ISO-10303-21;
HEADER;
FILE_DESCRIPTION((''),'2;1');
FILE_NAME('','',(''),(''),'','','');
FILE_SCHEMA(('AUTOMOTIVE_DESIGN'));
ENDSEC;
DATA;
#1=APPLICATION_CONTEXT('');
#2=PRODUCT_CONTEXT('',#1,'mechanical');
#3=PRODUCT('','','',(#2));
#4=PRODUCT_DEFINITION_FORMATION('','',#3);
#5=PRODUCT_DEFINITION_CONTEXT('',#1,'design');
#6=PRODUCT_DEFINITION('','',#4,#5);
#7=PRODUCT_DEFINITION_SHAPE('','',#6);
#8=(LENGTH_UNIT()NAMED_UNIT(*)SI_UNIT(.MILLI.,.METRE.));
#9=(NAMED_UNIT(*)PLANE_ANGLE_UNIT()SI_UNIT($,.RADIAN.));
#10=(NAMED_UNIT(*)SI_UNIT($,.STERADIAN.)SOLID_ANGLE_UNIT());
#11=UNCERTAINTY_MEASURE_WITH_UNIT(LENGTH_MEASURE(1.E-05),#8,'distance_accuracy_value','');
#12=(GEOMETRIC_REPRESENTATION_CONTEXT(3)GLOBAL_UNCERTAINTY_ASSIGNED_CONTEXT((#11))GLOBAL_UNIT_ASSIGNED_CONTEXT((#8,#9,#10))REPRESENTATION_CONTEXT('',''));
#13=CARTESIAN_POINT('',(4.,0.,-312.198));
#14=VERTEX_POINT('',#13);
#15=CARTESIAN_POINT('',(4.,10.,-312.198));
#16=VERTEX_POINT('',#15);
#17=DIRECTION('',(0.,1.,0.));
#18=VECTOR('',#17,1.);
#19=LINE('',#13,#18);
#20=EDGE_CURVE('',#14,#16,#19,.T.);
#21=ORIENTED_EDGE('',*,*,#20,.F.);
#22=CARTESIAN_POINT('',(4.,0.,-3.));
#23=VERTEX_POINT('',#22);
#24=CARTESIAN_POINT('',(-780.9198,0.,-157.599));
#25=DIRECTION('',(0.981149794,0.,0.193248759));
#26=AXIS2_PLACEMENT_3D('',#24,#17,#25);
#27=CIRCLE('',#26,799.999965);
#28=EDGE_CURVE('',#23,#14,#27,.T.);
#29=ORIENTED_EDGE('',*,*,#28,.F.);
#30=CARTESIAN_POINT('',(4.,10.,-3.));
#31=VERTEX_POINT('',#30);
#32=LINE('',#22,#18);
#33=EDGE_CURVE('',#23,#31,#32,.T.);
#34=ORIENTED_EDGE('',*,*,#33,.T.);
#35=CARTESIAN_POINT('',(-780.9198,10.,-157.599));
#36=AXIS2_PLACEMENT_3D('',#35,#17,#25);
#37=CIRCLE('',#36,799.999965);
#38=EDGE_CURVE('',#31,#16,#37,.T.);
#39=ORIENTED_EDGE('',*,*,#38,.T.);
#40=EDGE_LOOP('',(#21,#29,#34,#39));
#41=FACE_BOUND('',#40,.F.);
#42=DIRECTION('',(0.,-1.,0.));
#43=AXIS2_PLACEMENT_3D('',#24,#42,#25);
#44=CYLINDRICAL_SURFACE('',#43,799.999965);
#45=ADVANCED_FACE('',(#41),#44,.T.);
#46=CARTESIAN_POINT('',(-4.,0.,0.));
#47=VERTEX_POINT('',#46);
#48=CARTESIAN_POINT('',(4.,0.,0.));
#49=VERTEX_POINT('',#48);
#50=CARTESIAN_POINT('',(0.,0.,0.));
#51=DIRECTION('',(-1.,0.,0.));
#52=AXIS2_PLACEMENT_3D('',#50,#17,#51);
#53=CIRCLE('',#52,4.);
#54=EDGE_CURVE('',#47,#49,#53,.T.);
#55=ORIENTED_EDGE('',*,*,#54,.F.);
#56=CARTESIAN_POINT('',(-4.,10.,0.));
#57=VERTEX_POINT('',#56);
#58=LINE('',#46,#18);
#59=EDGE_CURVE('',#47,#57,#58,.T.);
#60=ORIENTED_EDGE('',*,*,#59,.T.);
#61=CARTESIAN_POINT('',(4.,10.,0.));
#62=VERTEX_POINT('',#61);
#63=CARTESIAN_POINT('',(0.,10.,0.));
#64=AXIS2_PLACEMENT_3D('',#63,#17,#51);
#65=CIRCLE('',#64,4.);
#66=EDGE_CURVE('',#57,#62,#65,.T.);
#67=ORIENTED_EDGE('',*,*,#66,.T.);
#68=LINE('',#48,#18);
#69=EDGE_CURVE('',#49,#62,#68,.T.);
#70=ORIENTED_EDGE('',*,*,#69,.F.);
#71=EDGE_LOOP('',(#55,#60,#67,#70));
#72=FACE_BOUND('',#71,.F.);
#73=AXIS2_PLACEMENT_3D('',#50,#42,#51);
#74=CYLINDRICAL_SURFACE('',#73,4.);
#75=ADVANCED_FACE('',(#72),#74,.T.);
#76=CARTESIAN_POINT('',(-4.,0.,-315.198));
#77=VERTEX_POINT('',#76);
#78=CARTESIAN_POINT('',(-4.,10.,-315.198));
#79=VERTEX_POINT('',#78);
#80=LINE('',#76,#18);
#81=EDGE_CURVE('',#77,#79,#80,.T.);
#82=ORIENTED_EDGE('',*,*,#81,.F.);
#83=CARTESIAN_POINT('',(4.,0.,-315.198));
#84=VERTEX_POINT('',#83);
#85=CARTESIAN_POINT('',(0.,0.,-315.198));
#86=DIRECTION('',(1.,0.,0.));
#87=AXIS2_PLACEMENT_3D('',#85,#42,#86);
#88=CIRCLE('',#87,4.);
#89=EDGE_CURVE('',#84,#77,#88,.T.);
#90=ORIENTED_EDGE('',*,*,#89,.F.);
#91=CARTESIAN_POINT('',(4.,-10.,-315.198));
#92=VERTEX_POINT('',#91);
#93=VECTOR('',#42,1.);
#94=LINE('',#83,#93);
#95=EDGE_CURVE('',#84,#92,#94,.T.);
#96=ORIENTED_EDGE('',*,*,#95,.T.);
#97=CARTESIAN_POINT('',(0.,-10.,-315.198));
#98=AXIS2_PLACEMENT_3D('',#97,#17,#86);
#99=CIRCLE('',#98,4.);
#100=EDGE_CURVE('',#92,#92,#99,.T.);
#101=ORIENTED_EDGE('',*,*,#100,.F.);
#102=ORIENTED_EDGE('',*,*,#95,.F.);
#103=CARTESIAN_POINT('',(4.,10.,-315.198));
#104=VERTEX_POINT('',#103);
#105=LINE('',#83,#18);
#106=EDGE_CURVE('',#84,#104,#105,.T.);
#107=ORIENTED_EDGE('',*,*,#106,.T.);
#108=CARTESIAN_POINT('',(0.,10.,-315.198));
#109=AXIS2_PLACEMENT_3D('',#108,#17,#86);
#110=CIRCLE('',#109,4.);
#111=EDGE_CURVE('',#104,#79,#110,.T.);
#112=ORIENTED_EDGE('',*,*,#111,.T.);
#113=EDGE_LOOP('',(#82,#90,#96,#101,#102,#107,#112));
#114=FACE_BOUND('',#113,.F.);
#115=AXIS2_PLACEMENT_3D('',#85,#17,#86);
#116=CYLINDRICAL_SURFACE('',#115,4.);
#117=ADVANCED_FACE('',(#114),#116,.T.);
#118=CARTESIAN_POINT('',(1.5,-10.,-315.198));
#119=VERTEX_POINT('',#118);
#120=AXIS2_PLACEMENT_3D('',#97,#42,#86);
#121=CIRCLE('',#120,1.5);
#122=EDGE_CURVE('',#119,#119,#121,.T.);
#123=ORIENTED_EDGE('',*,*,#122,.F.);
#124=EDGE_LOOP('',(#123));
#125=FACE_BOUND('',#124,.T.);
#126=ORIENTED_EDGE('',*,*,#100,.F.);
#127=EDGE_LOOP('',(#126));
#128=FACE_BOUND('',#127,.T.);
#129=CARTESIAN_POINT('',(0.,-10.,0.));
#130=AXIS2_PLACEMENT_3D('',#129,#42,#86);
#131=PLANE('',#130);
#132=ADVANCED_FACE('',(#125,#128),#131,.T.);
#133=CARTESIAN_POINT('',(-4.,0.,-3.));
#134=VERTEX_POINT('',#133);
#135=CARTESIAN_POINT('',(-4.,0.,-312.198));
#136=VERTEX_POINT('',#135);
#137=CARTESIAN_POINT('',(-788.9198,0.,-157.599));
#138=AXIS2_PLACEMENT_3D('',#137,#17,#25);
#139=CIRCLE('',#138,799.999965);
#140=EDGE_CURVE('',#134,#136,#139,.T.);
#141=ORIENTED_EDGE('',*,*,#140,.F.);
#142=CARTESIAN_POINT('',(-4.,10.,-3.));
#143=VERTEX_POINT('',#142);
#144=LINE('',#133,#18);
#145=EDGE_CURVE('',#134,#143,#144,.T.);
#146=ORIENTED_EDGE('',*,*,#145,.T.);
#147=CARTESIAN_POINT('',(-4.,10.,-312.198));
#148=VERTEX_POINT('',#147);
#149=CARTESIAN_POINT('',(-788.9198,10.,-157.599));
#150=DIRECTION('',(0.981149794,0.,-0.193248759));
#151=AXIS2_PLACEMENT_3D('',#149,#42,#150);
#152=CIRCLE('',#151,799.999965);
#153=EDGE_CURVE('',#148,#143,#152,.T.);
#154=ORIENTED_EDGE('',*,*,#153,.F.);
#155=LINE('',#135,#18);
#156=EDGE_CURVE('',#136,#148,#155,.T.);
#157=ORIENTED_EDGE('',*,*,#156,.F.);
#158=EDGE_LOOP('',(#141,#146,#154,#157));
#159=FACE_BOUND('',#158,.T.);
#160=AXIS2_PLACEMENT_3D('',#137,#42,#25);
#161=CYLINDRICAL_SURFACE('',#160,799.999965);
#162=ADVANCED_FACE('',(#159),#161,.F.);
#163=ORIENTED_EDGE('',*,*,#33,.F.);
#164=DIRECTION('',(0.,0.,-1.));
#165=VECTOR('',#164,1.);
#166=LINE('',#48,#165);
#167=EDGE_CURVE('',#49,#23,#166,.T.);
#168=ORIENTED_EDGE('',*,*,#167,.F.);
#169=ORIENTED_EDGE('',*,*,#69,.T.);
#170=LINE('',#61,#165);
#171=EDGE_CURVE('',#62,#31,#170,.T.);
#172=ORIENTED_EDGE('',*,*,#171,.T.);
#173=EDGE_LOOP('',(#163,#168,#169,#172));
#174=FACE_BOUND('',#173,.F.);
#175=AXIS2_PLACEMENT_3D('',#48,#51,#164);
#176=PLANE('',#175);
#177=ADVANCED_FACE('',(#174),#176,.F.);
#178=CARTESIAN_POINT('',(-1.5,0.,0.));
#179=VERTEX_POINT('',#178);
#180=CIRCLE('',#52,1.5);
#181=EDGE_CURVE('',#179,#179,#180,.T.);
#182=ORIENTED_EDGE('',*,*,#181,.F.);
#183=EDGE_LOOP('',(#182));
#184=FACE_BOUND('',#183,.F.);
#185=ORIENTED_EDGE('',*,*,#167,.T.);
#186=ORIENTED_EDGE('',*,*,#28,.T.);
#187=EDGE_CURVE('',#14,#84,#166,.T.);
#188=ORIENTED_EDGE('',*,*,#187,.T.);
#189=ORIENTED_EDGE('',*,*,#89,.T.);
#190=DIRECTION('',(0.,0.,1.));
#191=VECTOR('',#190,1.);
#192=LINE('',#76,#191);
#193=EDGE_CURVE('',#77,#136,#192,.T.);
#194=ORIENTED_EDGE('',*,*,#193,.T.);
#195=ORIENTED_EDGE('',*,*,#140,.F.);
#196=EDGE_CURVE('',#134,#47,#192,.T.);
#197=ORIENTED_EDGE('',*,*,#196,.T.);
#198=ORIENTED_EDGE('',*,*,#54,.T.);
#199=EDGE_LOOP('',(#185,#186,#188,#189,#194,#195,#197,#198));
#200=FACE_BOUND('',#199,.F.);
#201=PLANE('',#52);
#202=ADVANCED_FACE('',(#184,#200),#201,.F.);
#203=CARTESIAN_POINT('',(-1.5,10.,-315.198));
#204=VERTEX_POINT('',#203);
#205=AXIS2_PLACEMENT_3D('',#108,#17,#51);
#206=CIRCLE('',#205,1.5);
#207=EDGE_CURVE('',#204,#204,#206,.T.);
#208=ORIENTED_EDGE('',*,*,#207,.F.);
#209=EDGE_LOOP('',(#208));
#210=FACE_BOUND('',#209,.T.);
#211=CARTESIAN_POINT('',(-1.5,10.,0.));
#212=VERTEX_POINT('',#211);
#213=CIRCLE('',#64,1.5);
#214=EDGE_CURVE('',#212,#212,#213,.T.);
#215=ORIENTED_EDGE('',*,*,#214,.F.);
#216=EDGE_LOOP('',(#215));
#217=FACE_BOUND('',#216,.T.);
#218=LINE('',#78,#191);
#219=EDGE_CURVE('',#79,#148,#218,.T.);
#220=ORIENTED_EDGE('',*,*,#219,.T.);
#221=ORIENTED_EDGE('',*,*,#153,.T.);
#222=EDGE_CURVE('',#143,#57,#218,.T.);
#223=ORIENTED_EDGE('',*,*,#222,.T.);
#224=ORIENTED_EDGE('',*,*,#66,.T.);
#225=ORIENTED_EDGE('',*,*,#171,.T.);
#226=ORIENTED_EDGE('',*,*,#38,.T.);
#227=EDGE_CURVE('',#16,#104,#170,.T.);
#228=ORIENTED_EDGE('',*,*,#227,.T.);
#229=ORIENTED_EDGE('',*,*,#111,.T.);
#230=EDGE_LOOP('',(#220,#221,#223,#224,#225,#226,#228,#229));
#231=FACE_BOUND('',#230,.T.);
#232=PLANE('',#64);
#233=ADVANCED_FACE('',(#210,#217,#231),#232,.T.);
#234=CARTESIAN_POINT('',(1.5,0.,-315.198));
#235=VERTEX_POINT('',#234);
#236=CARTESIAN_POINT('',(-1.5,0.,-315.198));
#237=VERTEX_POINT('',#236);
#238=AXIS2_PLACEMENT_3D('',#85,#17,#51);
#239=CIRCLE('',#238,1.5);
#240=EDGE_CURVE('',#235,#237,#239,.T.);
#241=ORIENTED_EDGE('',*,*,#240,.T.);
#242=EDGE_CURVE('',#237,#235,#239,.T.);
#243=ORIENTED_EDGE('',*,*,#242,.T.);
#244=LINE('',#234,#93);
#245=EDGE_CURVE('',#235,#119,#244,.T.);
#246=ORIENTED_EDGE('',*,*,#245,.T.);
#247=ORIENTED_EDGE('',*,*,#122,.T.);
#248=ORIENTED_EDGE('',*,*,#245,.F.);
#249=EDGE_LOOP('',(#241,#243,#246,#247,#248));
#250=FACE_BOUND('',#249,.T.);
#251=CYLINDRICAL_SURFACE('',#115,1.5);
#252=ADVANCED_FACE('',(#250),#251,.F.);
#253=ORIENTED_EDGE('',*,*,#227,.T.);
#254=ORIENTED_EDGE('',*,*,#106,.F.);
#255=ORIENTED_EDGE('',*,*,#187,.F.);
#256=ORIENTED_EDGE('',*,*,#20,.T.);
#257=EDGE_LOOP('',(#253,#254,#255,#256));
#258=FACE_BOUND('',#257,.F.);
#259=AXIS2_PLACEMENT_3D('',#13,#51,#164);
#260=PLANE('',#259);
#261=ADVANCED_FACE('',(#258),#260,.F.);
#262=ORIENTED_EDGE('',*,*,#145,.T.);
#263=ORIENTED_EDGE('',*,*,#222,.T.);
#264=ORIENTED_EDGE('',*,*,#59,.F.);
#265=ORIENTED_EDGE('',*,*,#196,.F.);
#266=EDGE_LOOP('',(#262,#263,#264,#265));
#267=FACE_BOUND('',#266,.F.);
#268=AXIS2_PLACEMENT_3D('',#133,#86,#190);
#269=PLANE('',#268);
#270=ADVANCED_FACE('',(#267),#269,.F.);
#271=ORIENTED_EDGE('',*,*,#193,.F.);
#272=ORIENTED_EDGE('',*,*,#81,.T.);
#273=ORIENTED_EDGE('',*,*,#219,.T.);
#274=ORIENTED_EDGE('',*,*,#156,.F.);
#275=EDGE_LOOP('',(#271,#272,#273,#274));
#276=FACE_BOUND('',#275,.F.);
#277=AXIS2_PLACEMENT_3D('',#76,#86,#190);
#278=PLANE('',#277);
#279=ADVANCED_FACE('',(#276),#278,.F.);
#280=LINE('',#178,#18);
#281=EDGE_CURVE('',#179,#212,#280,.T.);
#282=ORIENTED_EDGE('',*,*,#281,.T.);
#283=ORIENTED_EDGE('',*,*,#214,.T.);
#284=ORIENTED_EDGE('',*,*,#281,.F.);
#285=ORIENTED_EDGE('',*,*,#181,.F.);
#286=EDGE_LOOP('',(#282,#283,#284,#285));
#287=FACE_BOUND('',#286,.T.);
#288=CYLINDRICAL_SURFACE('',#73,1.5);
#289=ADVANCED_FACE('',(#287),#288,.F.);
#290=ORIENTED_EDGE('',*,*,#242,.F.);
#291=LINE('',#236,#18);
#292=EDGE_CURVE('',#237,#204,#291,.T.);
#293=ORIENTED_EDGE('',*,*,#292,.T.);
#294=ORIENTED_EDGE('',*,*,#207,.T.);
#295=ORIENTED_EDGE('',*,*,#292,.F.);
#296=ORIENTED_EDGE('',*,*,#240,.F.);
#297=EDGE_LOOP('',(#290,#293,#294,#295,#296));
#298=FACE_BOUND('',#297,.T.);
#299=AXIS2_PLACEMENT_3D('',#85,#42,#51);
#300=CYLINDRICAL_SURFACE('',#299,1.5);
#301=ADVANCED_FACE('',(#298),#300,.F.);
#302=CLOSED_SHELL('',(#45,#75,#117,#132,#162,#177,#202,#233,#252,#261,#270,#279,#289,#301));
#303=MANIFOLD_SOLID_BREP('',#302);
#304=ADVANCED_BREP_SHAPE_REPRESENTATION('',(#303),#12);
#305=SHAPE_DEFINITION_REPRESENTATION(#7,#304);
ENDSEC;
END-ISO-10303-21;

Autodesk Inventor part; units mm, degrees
ref_plane "YZ Plane" through (0, 0, 0) normal (1, 0, 0) x (0, 1, 0)
ref_plane "XZ Plane" through (0, 0, 0) normal (0, 1, 0) x (-1, 0, 0)
ref_plane "XY Plane" through (0, 0, 0) normal (0, 0, 1) x (1, 0, 0)
sketch "Sketch1" plane through (0, 0, 0) normal (0, 1, 0) x (-1, 0, 0)
  line L0 (0, 0) -> (0, -315.198) construction
  line L1 (-4, 0) -> (-4, -315.198)
  line L2 (4, -315.198) -> (4, 0)
  arc A0 (4, 0) -> (-4, 0) centre (0, 0) ccw
  arc A1 (-4, -315.198) -> (4, -315.198) centre (0, -315.198) ccw
  circle A2 centre (0, 0) radius 1.5
  circle A3 centre (0, -315.198) radius 1.5
  arc A4 (-4, -3) -> (-4, -312.198) centre (780.9198, -157.599) ccw
  arc A5 (4, -3) -> (4, -312.198) centre (788.9198, -157.599) ccw
  point P0 (0, -157.599)
  dimension "d0" = 8
  dimension "d1" = 315.198
  dimension "d2" = 3
  dimension "d3" = 3
  dimension "d24" = 800
  dimension "d25" = 800
  dimension "d26" = 3
  dimension "d27" = 3
extrude "Extrusion1" add sketch "Sketch1" along normal blind 10 contours A0 L2 A5 L1 | L1 A5 A4 | L1 A5 L2 A1
sketch "Sketch4" plane through (0, 0, 0) normal (0, -1, 0) x (1, 0, 0)
  line L0 (-4, -315.198) -> (-4, -312.198) projected
  arc A0 (-4, -315.198) -> (4, -315.198) centre (0, -315.198) ccw projected
  line L1 (4, -312.198) -> (4, -315.198) projected
  arc A1 (4, -312.198) -> (4, -3) centre (-780.9198, -157.599) ccw projected
  line L2 (4, 0) -> (4, -3) projected
  arc A2 (4, 0) -> (-4, 0) centre (0, 0) ccw projected
  line L3 (-4, -3) -> (-4, 0) projected
  arc A3 (-4, -312.198) -> (-4, -3) centre (-788.9198, -157.599) ccw projected
  circle A4 centre (0, 0) radius 1.5 projected
  circle A5 centre (0, -315.198) radius 1.5 projected
  circle A6 centre (0, -315.198) radius 4
  point P0 (4, -315.198)
extrude "Extrusion3" add sketch "Sketch4" along normal blind 10 contours A6 A0
sketch "Sketch3" plane through (0, 10, 0) normal (0, 1, 0) x (1, 0, 0)
  line L0 (-4, 315.198) -> (-4, 312.198) projected
  arc A0 (-4, 3) -> (-4, 312.198) centre (-788.9198, 157.599) ccw projected
  line L1 (-4, 3) -> (-4, 0) projected
  arc A1 (-4, 0) -> (4, 0) centre (0, 0) ccw projected
  line L2 (4, 0) -> (4, 3) projected
  arc A2 (4, 3) -> (4, 312.198) centre (-780.9198, 157.599) ccw projected
  line L3 (4, 312.198) -> (4, 315.198) projected
  arc A3 (4, 315.198) -> (-4, 315.198) centre (0, 315.198) ccw projected
  circle A4 centre (0, 0) radius 1.5 projected
  circle A5 centre (0, 315.198) radius 1.5 projected
  arc A6 (-4, 3) -> (-4, 312.198) centre (-788.9198, 157.599) ccw projected
  line L4 (11.0802, 157.599) -> (14.7286, 165.8884)
  line L5 (14.7286, 165.8884) -> (19.0802, 157.599)
  arc A7 (4, 3) -> (4, 312.198) centre (-780.9198, 157.599) ccw projected
extrude "Extrusion2" [suppressed]
